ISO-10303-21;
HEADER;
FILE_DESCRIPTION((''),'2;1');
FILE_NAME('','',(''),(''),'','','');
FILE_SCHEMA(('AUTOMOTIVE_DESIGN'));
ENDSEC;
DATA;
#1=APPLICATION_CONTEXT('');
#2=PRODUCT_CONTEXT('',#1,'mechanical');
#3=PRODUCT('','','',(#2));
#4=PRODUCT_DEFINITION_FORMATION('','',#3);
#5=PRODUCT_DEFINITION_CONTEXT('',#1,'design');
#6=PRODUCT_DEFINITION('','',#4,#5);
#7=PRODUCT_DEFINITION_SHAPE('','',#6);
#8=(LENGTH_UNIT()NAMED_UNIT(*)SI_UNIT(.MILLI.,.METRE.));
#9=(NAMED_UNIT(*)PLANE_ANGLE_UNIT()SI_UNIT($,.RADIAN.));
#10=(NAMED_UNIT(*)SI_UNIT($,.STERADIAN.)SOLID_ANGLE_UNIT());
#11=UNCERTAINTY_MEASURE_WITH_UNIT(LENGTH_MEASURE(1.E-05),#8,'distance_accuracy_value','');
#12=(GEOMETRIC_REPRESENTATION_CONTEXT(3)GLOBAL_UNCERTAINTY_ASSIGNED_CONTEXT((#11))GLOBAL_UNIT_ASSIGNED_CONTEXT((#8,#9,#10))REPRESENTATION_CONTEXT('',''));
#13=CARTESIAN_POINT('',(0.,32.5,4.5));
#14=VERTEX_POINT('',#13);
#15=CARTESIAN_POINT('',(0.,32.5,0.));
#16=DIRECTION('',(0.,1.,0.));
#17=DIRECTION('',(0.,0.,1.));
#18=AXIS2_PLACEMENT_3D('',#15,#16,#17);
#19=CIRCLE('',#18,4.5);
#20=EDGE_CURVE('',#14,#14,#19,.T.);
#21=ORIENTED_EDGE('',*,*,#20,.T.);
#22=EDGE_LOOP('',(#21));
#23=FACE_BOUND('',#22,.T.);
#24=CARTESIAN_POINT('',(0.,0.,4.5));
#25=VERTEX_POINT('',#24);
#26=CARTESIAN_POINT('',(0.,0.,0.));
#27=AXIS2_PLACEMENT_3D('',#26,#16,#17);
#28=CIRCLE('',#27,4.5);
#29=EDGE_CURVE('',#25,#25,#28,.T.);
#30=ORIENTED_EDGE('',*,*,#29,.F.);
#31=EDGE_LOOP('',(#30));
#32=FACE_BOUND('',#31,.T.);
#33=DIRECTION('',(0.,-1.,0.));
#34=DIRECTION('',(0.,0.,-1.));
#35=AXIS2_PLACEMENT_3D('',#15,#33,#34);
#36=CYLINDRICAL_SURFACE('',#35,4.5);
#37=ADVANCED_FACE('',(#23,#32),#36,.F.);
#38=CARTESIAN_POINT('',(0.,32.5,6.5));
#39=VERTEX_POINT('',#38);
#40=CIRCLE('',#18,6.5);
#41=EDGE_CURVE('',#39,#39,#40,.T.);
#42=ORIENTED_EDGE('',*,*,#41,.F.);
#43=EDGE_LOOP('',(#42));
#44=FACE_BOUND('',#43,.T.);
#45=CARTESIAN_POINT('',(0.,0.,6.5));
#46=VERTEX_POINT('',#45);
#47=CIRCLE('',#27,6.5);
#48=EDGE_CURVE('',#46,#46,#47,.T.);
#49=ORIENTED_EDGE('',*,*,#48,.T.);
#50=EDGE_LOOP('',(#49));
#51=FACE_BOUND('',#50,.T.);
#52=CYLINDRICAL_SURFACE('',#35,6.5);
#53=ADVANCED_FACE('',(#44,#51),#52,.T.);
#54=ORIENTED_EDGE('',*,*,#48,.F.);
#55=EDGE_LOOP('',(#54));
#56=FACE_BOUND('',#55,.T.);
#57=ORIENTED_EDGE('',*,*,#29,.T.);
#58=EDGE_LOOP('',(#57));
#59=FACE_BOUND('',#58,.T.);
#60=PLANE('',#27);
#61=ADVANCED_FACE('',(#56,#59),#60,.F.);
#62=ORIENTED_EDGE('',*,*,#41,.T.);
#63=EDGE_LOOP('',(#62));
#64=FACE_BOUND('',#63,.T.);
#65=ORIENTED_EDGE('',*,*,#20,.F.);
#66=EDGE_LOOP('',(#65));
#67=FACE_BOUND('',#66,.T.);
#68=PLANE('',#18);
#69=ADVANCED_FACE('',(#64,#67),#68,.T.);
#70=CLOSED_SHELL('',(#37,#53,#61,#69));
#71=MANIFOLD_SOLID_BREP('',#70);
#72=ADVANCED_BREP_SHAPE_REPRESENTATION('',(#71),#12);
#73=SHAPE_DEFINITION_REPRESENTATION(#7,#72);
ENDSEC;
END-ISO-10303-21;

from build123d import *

# Parameters (mm, degrees)
CROQUIS1_R              = 6.5
CROQUIS1_R_2            = 4.5
SALIENTE_EXTRUIR1_DEPTH = 32.5


with BuildPart() as part:
    # Croquis1 → Saliente-Extruir1 (new body)
    with BuildSketch(Plane(origin=(0, 0, 0), x_dir=(1, 0, 0), z_dir=(0, 1, 0))):
        with Locations(Location((0, 0, 0), (0, 0, 270))):
            Circle(CROQUIS1_R)
        with Locations(Location((0, 0, 0), (0, 0, 270))):
            Circle(CROQUIS1_R_2, mode=Mode.SUBTRACT)
    extrude(amount=SALIENTE_EXTRUIR1_DEPTH)


solid = part.part
